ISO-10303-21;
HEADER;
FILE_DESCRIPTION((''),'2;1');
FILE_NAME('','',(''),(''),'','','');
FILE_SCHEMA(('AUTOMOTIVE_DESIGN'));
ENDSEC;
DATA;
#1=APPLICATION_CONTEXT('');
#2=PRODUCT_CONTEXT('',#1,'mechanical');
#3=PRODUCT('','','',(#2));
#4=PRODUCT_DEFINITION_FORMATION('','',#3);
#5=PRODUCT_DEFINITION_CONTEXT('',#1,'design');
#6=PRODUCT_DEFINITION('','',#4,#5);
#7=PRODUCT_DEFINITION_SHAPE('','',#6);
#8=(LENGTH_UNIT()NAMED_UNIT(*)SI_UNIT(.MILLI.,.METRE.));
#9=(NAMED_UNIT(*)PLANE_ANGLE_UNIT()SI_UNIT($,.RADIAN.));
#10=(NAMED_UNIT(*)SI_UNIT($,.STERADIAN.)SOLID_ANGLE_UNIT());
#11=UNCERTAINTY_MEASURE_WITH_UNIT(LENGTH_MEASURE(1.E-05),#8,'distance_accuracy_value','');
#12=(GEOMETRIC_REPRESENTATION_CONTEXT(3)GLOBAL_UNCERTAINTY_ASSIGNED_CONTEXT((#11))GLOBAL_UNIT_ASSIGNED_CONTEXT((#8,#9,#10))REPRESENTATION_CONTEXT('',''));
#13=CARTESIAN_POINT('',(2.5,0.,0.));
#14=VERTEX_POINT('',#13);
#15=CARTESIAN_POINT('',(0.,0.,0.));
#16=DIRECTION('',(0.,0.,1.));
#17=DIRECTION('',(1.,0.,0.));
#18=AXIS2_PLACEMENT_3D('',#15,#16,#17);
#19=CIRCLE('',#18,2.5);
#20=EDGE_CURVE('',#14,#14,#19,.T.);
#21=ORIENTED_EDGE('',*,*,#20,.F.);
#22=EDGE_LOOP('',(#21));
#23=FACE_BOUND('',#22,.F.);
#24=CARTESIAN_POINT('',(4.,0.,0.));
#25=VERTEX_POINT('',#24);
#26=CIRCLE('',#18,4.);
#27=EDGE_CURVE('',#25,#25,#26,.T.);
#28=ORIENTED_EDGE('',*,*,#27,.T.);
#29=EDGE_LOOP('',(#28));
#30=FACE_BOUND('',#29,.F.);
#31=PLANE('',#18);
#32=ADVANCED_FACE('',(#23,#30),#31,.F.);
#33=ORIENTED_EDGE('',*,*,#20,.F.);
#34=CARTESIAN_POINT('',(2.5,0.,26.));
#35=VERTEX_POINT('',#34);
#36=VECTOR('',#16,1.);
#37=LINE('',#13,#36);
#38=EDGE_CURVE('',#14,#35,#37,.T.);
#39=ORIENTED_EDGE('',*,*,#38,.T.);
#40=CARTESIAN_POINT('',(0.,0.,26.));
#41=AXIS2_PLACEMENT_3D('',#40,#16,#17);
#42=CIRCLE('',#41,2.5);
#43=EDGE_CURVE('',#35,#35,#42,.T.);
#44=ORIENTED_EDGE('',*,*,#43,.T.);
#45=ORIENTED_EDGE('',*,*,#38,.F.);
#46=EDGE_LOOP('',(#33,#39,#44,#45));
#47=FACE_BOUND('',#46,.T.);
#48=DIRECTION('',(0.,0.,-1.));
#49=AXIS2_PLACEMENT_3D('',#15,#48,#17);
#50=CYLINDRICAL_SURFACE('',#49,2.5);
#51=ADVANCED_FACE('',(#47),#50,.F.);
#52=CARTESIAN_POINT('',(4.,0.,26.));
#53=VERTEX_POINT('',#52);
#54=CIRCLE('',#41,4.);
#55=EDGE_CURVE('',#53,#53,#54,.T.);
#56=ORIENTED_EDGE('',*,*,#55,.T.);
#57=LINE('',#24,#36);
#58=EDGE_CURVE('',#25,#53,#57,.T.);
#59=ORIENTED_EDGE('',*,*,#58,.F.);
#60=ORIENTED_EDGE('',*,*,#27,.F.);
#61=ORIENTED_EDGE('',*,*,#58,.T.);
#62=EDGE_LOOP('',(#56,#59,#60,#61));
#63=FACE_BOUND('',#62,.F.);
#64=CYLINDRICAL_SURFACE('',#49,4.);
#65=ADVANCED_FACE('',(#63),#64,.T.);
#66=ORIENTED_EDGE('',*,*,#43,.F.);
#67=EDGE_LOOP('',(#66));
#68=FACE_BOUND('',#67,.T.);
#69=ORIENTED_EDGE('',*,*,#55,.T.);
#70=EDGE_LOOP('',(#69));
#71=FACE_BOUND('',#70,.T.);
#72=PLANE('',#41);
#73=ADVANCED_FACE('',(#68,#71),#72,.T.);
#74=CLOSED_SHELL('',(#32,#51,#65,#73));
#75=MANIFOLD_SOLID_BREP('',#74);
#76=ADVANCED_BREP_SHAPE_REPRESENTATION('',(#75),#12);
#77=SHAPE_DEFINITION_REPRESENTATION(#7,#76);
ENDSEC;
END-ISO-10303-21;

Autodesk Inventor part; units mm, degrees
ref_plane "YZ Plane" through (0, 0, 0) normal (1, 0, 0) x (0, 1, 0)
ref_plane "XZ Plane" through (0, 0, 0) normal (0, 1, 0) x (-1, 0, 0)
ref_plane "XY Plane" through (0, 0, 0) normal (0, 0, 1) x (1, 0, 0)
sketch "Эскиз1" plane through (0, 0, 0) normal (0, 0, 1) x (1, 0, 0)
  circle A0 centre (0, 0) radius 2.5
  circle A1 centre (0, 0) radius 4
  dimension "d0" = 5
  dimension "d1" = 8
extrude "Выдавливание1" add sketch "Эскиз1" along normal blind 26
properties part number "Вал роликов натяжителя"
